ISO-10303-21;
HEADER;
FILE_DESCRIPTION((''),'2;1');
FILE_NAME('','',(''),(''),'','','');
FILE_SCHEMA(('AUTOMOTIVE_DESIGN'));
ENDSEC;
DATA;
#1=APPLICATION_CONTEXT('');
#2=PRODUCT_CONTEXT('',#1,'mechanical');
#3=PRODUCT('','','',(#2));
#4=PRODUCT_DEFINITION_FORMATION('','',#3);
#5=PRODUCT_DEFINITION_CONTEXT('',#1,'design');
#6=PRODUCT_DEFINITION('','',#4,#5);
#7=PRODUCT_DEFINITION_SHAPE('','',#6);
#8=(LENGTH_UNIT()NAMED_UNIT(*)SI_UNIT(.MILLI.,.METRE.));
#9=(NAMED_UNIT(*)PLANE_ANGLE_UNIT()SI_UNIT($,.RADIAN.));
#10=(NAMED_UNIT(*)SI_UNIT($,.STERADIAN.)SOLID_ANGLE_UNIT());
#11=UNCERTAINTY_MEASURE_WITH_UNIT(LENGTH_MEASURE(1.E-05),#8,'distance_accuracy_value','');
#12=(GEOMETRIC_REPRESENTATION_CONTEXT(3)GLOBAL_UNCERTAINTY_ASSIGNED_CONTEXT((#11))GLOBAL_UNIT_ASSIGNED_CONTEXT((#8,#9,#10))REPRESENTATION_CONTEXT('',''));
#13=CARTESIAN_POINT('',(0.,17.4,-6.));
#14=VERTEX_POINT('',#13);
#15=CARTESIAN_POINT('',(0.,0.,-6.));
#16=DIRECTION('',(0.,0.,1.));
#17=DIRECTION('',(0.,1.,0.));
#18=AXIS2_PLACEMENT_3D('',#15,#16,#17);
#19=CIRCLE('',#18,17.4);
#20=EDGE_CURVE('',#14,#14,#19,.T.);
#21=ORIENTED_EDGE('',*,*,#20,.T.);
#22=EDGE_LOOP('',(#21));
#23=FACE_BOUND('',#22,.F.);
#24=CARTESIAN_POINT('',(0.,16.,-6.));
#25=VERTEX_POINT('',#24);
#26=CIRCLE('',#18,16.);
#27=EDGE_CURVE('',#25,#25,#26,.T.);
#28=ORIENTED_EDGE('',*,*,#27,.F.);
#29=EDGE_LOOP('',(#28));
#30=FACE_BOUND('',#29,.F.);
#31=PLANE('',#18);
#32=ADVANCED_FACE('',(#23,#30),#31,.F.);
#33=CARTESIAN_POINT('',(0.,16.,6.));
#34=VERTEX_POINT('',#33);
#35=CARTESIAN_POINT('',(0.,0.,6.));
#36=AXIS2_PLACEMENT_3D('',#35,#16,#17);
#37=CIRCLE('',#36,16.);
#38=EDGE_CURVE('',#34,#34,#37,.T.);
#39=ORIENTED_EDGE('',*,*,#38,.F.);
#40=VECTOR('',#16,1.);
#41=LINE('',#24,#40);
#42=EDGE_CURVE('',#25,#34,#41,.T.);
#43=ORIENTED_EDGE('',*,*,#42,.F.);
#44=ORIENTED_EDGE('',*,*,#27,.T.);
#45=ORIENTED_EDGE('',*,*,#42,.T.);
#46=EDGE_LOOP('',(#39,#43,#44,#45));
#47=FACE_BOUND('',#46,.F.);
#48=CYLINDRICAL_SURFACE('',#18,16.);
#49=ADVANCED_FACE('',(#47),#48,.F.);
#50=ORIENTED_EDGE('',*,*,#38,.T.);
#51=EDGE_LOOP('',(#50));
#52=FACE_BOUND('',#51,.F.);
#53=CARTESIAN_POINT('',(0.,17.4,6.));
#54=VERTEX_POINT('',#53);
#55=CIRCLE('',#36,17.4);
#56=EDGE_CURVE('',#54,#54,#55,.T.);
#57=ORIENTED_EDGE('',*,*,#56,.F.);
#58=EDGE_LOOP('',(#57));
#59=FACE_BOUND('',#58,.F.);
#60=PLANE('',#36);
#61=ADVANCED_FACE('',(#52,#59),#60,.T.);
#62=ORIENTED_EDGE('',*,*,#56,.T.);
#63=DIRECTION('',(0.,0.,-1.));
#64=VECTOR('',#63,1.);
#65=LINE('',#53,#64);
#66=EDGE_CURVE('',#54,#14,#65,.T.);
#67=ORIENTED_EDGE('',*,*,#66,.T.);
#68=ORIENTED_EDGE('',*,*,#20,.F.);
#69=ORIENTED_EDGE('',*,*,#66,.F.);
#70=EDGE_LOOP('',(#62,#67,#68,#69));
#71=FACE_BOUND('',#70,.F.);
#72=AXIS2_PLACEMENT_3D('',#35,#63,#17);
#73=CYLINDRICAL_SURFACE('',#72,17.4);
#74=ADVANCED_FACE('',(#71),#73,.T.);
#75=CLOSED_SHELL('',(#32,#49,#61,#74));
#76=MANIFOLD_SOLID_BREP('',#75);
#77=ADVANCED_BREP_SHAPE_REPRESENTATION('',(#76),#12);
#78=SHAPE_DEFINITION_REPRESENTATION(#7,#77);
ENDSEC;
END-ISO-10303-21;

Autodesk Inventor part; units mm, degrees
ref_plane "YZ Plane" through (0, 0, 0) normal (1, 0, 0) x (0, 1, 0)
ref_plane "XZ Plane" through (0, 0, 0) normal (0, 1, 0) x (-1, 0, 0)
ref_plane "XY Plane" through (0, 0, 0) normal (0, 0, 1) x (1, 0, 0)
sketch "Sketch1" plane through (0, 0, 0) normal (1, 0, 0) x (0, 1, 0)
  line L0 (16, 6) -> (17.4, 6)
  line L1 (17.4, 6) -> (17.4, -6)
  line L2 (17.4, -6) -> (16, -6)
  line L3 (16, -6) -> (16, 6)
  line L4 (0, 0) -> (0, 17.75) construction
  point P0 (16, 0)
  dimension "d0" = 32
  dimension "d1" = 34.8
  dimension "d3" = 12
revolve "Revolution1" add sketch "Sketch1" angle 360 about axis through (0, 0, 0) along (0, 0, 1)
properties part number "skirt-cylinder" material "Stainless Steel"
